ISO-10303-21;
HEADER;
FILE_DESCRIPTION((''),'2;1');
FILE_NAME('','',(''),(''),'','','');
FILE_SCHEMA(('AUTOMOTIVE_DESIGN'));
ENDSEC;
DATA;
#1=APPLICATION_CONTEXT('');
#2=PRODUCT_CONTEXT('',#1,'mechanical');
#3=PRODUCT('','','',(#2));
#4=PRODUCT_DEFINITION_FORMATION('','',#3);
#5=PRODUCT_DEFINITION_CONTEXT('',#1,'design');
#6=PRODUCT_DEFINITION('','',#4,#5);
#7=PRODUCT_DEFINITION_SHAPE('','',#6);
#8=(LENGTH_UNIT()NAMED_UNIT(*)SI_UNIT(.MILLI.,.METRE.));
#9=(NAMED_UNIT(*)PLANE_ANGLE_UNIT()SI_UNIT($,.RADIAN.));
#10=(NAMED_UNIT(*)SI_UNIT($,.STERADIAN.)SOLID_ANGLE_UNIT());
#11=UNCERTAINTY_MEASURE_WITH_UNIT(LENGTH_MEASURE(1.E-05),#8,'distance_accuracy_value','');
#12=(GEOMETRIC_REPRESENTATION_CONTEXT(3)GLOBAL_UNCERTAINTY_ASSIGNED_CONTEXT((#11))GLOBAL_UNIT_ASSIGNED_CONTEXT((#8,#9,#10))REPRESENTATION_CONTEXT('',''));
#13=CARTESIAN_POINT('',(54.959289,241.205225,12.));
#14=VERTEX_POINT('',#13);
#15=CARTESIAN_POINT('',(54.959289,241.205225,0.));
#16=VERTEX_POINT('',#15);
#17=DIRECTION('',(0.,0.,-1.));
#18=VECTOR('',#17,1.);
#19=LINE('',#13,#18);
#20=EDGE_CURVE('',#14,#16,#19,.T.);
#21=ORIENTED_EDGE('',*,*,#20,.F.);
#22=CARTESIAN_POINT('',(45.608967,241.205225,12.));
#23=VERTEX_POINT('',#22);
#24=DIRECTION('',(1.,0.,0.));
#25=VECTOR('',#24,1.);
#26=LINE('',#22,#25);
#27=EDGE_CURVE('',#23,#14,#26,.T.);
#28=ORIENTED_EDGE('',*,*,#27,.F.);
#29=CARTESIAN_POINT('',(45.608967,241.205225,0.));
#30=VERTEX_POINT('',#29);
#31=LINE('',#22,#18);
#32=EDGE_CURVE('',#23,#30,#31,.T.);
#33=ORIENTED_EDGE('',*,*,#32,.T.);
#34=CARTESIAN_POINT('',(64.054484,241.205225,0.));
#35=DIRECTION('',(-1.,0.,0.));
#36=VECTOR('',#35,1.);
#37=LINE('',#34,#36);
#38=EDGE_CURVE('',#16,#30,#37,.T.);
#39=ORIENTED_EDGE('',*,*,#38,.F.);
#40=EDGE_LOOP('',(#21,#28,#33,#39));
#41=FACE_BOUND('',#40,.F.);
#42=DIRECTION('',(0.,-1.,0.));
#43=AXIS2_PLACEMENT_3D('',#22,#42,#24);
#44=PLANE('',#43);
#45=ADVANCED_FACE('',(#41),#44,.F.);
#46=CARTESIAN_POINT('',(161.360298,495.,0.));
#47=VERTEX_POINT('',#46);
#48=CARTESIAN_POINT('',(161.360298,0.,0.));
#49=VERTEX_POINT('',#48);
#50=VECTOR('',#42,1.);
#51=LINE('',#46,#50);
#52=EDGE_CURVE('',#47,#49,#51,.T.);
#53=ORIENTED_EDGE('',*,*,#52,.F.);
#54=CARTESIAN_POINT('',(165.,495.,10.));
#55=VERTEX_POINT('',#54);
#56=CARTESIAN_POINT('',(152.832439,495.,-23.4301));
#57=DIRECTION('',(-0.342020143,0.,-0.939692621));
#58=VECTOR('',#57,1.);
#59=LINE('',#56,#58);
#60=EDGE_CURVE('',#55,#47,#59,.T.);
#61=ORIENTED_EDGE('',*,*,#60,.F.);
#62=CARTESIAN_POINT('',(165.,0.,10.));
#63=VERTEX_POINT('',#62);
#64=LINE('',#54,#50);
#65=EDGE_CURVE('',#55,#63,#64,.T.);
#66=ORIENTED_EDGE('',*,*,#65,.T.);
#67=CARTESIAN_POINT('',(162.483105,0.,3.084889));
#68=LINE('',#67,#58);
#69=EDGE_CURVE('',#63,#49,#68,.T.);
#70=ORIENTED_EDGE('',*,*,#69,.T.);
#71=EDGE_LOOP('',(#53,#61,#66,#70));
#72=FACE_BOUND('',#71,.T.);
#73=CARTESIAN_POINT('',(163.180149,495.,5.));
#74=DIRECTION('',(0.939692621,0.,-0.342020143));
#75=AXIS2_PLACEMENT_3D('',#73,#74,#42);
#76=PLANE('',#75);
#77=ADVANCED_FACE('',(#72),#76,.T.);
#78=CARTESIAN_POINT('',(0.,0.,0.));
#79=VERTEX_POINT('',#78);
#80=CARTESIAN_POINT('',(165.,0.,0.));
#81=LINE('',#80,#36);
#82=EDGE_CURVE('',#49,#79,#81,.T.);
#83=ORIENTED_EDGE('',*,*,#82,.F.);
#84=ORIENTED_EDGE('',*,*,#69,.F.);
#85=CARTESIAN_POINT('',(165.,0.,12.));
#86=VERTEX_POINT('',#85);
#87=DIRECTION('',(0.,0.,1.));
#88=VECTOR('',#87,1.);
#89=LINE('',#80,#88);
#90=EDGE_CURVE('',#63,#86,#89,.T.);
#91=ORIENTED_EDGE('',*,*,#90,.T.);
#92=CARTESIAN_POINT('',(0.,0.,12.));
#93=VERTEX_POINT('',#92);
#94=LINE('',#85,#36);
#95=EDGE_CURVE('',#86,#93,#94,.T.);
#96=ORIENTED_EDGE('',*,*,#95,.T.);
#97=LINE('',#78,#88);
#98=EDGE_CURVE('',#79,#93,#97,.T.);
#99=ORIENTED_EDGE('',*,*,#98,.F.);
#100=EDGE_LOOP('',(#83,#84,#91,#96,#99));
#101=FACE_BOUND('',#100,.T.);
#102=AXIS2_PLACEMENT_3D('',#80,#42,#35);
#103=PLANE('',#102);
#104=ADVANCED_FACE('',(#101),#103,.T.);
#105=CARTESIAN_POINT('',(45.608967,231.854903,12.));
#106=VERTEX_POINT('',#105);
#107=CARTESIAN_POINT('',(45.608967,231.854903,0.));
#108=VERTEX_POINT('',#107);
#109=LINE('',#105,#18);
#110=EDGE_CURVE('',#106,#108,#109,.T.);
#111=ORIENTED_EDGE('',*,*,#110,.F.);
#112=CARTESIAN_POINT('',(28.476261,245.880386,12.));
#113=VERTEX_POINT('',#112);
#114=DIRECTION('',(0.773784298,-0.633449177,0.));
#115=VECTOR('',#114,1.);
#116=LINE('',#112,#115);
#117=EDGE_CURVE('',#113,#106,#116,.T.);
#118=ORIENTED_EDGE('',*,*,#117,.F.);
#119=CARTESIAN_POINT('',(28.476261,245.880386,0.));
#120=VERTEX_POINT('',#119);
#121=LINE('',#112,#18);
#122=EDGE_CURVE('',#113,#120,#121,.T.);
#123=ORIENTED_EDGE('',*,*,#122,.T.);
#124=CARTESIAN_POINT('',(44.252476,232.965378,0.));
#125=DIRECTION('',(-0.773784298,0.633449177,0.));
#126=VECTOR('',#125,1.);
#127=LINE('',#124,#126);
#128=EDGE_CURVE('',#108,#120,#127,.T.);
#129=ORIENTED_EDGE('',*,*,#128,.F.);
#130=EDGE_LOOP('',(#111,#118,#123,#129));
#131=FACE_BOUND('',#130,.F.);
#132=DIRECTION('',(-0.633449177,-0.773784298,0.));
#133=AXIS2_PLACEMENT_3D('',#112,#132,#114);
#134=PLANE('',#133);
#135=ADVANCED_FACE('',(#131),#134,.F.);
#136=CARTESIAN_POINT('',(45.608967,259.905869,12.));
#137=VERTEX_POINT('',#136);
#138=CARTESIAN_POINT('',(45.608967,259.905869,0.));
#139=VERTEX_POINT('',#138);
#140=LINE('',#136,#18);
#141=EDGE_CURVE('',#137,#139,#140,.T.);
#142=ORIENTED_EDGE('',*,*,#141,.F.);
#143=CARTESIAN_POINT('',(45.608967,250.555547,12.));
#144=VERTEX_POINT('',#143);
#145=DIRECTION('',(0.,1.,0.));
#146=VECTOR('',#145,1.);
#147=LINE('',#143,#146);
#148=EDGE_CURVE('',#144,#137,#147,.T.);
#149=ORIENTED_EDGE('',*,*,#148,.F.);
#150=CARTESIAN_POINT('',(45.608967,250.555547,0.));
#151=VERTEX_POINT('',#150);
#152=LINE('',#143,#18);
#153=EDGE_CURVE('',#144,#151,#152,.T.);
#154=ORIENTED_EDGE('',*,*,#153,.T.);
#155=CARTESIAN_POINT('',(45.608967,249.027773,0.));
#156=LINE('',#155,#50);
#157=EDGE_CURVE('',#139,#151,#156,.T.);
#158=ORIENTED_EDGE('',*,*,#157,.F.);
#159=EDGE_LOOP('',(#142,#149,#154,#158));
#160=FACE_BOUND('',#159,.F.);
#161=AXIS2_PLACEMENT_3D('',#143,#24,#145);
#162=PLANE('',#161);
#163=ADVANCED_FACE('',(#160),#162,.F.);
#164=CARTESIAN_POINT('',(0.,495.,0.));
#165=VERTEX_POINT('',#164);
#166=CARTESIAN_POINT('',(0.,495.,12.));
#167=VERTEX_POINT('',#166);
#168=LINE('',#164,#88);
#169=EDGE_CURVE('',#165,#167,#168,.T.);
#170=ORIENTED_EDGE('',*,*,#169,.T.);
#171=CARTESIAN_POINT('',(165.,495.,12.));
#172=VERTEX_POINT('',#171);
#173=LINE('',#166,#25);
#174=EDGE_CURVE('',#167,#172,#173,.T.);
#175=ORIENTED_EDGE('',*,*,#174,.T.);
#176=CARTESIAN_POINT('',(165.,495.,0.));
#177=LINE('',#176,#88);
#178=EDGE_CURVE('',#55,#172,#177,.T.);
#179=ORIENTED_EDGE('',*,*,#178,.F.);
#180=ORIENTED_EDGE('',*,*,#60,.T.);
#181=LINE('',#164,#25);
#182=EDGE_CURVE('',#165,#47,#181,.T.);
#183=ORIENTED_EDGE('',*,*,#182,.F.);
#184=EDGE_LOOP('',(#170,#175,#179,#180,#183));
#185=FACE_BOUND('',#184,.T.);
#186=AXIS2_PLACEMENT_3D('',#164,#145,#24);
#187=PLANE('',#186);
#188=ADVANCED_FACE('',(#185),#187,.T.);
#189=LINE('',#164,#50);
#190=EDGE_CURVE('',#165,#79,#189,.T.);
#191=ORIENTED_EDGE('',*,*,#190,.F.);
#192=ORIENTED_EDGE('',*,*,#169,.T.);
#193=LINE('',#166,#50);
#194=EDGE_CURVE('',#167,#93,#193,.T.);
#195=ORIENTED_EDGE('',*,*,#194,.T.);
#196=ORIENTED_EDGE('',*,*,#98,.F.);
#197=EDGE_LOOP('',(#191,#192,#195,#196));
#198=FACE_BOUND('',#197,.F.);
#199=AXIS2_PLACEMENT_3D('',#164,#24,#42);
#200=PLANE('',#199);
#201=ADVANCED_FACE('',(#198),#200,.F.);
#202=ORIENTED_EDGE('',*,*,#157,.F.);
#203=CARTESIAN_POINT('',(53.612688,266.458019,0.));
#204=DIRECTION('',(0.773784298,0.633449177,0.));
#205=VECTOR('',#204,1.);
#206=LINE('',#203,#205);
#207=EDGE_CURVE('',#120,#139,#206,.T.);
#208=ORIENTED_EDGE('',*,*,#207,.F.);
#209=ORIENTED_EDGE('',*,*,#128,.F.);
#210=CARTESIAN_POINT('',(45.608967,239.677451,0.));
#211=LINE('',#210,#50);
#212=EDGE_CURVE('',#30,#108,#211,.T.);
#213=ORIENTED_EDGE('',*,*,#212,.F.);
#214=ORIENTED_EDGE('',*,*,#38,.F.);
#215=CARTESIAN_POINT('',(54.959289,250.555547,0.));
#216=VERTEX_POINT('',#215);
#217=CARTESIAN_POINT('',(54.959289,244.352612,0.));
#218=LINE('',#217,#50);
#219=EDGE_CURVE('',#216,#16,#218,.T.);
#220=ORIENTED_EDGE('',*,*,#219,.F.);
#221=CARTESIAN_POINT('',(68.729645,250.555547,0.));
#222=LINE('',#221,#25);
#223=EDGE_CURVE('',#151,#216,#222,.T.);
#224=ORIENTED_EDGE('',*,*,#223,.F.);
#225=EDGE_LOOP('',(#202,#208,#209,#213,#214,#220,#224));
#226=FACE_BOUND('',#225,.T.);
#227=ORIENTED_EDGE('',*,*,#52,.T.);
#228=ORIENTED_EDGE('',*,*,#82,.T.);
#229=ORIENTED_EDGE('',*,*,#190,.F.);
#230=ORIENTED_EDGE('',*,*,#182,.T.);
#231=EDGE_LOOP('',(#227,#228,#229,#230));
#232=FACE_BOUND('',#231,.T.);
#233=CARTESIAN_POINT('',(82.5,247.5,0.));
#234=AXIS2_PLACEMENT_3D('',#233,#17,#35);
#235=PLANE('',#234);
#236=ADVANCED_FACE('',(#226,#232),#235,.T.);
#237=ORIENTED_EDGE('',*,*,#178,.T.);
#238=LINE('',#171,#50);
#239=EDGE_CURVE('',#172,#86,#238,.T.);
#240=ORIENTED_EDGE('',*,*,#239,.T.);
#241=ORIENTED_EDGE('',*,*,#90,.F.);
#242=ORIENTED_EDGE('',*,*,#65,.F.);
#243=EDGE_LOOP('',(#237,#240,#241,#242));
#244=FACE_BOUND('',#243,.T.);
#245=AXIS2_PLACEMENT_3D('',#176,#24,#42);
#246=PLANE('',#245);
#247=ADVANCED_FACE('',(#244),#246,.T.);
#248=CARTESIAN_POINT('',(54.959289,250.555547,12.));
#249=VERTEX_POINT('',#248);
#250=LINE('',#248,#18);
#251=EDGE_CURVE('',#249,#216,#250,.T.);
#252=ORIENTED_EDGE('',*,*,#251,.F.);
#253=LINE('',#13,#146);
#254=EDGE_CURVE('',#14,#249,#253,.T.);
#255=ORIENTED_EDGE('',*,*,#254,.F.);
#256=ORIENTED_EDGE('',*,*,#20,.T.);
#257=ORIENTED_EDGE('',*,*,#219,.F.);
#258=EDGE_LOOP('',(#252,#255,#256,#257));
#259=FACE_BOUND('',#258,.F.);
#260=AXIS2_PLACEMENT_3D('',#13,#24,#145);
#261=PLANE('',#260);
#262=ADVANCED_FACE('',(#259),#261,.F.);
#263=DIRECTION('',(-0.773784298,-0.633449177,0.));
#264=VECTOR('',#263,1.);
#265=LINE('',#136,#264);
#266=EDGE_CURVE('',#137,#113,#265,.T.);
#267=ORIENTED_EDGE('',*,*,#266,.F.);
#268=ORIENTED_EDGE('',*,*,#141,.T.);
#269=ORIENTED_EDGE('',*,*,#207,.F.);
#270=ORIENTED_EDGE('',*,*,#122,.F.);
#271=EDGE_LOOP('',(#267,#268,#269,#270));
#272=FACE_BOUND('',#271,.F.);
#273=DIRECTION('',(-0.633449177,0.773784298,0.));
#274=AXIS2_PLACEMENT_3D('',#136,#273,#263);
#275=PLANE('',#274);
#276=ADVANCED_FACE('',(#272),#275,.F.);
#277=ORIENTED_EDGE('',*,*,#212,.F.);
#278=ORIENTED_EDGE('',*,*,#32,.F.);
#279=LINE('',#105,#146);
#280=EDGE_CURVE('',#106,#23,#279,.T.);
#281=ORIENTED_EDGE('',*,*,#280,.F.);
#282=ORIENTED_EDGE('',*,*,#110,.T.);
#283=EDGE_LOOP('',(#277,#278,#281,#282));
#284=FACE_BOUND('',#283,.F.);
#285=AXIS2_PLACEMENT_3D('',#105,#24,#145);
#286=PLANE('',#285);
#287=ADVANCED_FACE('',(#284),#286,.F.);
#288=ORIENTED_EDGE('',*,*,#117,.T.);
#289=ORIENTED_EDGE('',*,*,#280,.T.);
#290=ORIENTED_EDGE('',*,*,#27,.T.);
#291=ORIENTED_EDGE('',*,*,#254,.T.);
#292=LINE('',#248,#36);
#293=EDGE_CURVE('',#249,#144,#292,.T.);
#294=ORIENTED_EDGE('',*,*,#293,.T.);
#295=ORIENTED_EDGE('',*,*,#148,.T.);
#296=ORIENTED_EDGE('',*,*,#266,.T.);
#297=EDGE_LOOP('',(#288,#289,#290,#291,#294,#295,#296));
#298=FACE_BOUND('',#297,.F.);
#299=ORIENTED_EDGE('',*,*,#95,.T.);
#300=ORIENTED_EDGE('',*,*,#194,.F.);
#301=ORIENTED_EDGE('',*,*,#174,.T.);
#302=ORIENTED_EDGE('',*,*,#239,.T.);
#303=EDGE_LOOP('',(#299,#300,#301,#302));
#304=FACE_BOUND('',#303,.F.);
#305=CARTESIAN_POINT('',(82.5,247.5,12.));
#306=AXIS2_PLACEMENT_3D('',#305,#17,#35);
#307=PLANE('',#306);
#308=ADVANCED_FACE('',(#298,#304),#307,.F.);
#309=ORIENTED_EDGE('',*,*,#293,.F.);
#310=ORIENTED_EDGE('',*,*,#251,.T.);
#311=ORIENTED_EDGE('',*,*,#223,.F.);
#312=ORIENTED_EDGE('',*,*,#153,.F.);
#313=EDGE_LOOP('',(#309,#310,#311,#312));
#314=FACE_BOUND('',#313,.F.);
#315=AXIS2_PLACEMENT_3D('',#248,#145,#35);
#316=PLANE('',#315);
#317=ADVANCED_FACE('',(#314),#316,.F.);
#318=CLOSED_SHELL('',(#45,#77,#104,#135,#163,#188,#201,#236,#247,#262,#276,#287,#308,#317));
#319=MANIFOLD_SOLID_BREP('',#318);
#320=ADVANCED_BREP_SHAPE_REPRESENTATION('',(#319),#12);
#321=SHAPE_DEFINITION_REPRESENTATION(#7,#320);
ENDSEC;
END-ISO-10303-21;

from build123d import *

# Parameters (mm, degrees)
PAD_DEPTH     = 12
POCKET_DEPTH  = 12.001
CHAMFER_ANGLE = 20
CHAMFER_SIZE  = 10


with BuildPart() as part:
    # Sketch → Pad (new body)
    with BuildSketch(Plane.XY):
        Polygon((0, 495), (165, 495), (165, 0), (0, 0), (0, 247.5), align=None)
    extrude(amount=PAD_DEPTH)

    # Sketch001 (on Face7 of Pad) → Pocket (cut, through all)
    with BuildSketch(Plane.XY.offset(12)):
        Polygon((45.608967, 259.905869), (28.476261, 245.880386), (45.608967, 231.854903), (45.608967, 241.205225), (54.959289, 241.205225), (54.959289, 250.555547), (45.608967, 250.555547), align=None)
    extrude(amount=-POCKET_DEPTH, mode=Mode.SUBTRACT)

    # Chamfer
    chamfer_edges = [part.edges().sort_by_distance(p)[0] for p in [
        (165, 247.5, 0),
    ]]
    chamfer_side = part.faces().sort_by_distance((165, 247.5, 6))[0]
    chamfer(chamfer_edges, length=CHAMFER_SIZE, angle=CHAMFER_ANGLE, reference=chamfer_side)


solid = part.part
